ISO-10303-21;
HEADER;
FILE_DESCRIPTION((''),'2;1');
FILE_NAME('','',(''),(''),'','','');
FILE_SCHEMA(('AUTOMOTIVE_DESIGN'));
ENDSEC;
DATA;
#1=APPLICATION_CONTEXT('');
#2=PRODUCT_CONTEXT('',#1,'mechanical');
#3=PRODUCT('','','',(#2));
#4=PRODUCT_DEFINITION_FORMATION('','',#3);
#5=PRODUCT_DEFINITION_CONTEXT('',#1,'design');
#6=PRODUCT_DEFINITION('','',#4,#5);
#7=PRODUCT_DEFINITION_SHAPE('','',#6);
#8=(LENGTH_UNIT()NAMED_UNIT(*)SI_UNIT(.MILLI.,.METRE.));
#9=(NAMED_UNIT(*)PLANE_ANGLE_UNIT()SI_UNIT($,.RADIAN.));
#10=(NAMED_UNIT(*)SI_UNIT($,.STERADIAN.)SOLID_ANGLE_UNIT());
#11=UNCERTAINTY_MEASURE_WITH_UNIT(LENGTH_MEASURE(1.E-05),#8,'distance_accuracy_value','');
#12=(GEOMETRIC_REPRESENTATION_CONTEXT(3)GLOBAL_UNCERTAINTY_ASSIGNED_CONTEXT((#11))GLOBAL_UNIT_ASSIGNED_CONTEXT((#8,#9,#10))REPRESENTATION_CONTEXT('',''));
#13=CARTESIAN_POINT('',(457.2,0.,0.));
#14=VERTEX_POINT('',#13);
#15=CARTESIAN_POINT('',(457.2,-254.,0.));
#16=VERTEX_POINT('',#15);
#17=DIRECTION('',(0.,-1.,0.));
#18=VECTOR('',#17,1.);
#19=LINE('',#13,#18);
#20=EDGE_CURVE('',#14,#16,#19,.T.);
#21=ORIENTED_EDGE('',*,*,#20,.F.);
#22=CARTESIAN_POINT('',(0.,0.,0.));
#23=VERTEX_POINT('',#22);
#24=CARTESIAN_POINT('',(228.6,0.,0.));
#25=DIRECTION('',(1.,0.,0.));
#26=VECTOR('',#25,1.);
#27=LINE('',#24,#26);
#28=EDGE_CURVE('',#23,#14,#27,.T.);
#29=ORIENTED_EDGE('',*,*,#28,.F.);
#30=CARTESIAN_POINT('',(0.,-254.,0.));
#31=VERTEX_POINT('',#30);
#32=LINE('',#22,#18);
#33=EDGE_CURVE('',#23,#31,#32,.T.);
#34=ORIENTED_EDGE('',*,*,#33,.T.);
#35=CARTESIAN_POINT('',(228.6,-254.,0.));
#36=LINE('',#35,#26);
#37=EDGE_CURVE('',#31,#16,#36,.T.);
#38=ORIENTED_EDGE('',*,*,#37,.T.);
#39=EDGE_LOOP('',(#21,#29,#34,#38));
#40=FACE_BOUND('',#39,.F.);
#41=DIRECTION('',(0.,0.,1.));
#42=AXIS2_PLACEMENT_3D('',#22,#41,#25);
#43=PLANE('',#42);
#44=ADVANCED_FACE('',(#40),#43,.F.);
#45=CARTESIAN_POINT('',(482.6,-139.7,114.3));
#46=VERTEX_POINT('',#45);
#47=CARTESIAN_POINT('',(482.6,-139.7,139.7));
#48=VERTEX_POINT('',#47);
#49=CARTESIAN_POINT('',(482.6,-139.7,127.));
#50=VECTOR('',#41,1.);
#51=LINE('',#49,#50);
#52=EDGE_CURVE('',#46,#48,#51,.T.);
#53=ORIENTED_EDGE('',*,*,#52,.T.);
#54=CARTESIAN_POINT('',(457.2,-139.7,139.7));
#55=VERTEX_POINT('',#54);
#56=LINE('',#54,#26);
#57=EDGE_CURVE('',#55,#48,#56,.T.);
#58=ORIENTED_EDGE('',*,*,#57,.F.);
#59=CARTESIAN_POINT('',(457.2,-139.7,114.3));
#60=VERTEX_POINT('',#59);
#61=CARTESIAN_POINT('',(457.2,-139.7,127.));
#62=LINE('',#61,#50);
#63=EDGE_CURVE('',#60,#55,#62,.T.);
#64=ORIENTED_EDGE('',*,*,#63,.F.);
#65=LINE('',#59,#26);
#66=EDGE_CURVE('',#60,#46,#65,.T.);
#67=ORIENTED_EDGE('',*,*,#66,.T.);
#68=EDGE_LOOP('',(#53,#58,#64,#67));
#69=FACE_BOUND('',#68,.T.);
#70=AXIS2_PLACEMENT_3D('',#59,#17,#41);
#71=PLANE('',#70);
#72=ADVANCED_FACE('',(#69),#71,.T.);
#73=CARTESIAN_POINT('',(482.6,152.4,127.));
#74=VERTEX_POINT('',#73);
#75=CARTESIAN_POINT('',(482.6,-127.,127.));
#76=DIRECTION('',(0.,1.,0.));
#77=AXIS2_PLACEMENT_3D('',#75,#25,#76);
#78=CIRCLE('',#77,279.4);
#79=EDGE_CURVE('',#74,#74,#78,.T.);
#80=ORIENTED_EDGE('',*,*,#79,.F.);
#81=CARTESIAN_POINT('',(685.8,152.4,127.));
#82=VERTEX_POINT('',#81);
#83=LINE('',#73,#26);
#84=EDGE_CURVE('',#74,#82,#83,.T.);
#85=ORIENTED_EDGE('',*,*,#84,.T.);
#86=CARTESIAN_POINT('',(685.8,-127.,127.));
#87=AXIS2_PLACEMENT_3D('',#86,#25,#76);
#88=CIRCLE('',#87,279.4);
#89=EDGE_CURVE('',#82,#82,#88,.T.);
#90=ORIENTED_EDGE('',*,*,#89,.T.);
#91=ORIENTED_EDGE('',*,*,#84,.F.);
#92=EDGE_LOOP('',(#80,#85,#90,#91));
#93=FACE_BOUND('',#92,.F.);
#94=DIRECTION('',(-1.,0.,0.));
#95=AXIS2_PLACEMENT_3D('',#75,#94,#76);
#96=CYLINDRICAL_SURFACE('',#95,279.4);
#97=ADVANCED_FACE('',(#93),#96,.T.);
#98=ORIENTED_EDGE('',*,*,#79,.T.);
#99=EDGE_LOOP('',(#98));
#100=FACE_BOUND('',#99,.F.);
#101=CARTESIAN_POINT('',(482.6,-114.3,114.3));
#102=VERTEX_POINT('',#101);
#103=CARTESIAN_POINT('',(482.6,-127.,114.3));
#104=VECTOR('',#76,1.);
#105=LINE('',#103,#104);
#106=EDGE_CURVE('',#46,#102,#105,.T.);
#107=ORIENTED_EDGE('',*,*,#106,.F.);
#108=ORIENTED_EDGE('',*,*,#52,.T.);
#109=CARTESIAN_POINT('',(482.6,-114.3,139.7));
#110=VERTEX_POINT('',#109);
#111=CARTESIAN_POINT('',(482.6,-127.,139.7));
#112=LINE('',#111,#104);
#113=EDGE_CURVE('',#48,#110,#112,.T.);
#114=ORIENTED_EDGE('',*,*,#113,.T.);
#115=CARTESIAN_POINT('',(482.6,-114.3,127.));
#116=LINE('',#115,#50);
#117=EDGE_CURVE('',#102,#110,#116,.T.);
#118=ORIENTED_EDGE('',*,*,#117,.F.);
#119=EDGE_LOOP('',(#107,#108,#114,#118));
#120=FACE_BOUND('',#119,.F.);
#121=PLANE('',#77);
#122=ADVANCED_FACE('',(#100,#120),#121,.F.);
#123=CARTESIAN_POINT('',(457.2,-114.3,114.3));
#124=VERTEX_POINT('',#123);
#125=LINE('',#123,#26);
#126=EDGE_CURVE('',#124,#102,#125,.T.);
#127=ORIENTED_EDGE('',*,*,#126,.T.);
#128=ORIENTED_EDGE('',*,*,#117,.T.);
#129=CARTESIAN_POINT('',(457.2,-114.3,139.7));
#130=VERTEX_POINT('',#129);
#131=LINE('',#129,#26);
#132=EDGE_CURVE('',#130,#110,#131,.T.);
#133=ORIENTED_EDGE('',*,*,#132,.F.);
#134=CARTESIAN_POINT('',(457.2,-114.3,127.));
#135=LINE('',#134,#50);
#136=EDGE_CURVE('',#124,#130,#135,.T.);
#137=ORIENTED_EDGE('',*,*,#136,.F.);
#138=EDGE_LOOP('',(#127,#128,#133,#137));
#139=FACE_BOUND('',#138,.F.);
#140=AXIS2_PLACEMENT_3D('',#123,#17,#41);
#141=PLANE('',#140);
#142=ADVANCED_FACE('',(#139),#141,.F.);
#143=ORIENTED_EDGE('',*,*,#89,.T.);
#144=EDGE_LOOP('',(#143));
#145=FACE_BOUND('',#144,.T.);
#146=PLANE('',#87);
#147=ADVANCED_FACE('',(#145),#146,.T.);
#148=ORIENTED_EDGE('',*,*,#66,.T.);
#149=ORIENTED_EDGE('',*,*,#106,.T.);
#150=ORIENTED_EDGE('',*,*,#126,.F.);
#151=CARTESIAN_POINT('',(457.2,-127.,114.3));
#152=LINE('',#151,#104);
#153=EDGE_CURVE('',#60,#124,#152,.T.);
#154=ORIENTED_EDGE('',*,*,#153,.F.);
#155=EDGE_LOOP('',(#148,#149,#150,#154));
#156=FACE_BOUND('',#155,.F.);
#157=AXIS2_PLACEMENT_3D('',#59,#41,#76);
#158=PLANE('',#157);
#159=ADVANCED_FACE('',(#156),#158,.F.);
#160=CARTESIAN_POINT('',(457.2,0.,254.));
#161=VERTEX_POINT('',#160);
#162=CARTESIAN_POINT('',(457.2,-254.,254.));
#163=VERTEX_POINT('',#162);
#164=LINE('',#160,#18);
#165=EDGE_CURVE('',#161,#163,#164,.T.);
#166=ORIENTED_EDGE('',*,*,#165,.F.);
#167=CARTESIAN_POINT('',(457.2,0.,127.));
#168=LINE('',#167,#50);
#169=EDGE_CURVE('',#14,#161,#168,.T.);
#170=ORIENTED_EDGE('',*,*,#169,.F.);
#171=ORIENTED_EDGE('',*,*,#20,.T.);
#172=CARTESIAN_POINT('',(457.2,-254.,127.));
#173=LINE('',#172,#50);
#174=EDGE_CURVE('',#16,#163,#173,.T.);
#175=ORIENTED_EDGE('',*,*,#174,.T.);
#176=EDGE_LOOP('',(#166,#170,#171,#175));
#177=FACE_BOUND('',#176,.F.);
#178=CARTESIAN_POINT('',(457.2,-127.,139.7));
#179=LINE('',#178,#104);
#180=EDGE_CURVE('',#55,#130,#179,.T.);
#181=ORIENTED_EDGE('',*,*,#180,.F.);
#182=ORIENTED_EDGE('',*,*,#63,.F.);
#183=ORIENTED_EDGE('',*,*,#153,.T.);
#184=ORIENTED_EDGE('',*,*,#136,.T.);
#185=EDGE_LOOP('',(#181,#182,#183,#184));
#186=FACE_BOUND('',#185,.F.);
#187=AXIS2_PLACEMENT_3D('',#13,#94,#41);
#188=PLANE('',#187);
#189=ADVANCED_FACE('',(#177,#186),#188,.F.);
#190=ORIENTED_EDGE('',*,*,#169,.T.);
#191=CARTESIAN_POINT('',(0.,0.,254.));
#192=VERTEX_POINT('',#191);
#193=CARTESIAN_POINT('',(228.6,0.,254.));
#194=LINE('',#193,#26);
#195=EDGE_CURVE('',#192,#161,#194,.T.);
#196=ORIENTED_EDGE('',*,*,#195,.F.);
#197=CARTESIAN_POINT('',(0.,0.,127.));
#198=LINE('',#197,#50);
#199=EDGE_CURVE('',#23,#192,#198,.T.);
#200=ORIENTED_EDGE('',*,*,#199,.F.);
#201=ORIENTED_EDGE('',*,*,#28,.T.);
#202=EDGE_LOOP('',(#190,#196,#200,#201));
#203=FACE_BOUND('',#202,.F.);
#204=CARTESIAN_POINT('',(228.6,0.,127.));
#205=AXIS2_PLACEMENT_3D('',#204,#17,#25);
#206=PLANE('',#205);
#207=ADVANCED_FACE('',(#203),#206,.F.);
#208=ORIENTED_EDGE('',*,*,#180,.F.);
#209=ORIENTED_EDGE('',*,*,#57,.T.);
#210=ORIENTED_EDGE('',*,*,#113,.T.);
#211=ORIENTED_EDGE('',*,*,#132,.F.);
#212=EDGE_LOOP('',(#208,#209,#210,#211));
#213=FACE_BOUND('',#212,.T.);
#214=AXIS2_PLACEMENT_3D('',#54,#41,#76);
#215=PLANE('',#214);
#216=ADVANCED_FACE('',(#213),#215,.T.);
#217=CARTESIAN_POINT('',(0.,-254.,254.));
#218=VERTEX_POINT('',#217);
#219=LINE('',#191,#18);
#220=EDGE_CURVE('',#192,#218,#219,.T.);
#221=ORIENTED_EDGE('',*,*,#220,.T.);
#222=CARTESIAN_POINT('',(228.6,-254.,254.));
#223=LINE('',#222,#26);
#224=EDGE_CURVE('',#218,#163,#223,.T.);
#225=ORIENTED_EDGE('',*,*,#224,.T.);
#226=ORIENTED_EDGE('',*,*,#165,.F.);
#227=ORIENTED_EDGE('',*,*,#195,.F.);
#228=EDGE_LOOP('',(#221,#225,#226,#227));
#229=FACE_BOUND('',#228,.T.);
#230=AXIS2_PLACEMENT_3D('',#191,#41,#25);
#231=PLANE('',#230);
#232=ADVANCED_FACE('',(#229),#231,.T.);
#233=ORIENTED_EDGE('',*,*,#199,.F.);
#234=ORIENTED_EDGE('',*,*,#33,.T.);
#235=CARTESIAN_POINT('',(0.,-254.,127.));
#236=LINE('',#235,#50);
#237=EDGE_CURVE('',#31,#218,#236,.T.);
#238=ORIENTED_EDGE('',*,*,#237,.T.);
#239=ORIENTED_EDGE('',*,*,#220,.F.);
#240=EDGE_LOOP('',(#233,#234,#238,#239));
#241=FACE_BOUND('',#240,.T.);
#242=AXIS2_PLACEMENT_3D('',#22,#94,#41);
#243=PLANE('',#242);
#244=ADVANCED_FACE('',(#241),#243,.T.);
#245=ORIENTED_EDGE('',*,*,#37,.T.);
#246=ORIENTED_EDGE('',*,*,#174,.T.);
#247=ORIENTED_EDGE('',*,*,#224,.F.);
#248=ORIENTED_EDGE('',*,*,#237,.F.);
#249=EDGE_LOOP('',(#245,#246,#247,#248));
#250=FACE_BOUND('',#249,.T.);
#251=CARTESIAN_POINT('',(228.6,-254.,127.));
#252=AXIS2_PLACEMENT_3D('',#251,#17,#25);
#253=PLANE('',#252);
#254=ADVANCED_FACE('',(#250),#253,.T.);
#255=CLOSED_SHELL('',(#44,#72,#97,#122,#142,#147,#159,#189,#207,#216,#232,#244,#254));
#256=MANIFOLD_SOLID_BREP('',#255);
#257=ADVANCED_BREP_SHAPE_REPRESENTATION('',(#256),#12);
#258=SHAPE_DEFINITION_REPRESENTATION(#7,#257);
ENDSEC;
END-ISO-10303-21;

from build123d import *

# Parameters (mm, degrees)
F0_W     = 457.2
F0_H     = 254
F1_DEPTH = 254
F2_W     = 25.4
F2_H     = 25.4
F3_DEPTH = 25.4
F4_R     = 279.4
F5_DEPTH = 203.2


with BuildPart() as f1:
    # F0 (on Front) → F1 (new body)
    with BuildSketch(Plane.XZ):
        with Locations((228.6, 127)):
            Rectangle(F0_W, F0_H)
    extrude(amount=F1_DEPTH)

    # F2 (on face) → F3 (join)
    with BuildSketch(Plane.YZ.offset(457.2)):
        with Locations((-127, 127)):
            Rectangle(F2_W, F2_H)
    extrude(amount=F3_DEPTH)

    # F4 (on face) → F5 (join)
    with BuildSketch(Plane.YZ.offset(482.6)):
        with Locations((-127, 127)):
            Circle(F4_R)
    extrude(amount=F5_DEPTH)


solid = f1.part
